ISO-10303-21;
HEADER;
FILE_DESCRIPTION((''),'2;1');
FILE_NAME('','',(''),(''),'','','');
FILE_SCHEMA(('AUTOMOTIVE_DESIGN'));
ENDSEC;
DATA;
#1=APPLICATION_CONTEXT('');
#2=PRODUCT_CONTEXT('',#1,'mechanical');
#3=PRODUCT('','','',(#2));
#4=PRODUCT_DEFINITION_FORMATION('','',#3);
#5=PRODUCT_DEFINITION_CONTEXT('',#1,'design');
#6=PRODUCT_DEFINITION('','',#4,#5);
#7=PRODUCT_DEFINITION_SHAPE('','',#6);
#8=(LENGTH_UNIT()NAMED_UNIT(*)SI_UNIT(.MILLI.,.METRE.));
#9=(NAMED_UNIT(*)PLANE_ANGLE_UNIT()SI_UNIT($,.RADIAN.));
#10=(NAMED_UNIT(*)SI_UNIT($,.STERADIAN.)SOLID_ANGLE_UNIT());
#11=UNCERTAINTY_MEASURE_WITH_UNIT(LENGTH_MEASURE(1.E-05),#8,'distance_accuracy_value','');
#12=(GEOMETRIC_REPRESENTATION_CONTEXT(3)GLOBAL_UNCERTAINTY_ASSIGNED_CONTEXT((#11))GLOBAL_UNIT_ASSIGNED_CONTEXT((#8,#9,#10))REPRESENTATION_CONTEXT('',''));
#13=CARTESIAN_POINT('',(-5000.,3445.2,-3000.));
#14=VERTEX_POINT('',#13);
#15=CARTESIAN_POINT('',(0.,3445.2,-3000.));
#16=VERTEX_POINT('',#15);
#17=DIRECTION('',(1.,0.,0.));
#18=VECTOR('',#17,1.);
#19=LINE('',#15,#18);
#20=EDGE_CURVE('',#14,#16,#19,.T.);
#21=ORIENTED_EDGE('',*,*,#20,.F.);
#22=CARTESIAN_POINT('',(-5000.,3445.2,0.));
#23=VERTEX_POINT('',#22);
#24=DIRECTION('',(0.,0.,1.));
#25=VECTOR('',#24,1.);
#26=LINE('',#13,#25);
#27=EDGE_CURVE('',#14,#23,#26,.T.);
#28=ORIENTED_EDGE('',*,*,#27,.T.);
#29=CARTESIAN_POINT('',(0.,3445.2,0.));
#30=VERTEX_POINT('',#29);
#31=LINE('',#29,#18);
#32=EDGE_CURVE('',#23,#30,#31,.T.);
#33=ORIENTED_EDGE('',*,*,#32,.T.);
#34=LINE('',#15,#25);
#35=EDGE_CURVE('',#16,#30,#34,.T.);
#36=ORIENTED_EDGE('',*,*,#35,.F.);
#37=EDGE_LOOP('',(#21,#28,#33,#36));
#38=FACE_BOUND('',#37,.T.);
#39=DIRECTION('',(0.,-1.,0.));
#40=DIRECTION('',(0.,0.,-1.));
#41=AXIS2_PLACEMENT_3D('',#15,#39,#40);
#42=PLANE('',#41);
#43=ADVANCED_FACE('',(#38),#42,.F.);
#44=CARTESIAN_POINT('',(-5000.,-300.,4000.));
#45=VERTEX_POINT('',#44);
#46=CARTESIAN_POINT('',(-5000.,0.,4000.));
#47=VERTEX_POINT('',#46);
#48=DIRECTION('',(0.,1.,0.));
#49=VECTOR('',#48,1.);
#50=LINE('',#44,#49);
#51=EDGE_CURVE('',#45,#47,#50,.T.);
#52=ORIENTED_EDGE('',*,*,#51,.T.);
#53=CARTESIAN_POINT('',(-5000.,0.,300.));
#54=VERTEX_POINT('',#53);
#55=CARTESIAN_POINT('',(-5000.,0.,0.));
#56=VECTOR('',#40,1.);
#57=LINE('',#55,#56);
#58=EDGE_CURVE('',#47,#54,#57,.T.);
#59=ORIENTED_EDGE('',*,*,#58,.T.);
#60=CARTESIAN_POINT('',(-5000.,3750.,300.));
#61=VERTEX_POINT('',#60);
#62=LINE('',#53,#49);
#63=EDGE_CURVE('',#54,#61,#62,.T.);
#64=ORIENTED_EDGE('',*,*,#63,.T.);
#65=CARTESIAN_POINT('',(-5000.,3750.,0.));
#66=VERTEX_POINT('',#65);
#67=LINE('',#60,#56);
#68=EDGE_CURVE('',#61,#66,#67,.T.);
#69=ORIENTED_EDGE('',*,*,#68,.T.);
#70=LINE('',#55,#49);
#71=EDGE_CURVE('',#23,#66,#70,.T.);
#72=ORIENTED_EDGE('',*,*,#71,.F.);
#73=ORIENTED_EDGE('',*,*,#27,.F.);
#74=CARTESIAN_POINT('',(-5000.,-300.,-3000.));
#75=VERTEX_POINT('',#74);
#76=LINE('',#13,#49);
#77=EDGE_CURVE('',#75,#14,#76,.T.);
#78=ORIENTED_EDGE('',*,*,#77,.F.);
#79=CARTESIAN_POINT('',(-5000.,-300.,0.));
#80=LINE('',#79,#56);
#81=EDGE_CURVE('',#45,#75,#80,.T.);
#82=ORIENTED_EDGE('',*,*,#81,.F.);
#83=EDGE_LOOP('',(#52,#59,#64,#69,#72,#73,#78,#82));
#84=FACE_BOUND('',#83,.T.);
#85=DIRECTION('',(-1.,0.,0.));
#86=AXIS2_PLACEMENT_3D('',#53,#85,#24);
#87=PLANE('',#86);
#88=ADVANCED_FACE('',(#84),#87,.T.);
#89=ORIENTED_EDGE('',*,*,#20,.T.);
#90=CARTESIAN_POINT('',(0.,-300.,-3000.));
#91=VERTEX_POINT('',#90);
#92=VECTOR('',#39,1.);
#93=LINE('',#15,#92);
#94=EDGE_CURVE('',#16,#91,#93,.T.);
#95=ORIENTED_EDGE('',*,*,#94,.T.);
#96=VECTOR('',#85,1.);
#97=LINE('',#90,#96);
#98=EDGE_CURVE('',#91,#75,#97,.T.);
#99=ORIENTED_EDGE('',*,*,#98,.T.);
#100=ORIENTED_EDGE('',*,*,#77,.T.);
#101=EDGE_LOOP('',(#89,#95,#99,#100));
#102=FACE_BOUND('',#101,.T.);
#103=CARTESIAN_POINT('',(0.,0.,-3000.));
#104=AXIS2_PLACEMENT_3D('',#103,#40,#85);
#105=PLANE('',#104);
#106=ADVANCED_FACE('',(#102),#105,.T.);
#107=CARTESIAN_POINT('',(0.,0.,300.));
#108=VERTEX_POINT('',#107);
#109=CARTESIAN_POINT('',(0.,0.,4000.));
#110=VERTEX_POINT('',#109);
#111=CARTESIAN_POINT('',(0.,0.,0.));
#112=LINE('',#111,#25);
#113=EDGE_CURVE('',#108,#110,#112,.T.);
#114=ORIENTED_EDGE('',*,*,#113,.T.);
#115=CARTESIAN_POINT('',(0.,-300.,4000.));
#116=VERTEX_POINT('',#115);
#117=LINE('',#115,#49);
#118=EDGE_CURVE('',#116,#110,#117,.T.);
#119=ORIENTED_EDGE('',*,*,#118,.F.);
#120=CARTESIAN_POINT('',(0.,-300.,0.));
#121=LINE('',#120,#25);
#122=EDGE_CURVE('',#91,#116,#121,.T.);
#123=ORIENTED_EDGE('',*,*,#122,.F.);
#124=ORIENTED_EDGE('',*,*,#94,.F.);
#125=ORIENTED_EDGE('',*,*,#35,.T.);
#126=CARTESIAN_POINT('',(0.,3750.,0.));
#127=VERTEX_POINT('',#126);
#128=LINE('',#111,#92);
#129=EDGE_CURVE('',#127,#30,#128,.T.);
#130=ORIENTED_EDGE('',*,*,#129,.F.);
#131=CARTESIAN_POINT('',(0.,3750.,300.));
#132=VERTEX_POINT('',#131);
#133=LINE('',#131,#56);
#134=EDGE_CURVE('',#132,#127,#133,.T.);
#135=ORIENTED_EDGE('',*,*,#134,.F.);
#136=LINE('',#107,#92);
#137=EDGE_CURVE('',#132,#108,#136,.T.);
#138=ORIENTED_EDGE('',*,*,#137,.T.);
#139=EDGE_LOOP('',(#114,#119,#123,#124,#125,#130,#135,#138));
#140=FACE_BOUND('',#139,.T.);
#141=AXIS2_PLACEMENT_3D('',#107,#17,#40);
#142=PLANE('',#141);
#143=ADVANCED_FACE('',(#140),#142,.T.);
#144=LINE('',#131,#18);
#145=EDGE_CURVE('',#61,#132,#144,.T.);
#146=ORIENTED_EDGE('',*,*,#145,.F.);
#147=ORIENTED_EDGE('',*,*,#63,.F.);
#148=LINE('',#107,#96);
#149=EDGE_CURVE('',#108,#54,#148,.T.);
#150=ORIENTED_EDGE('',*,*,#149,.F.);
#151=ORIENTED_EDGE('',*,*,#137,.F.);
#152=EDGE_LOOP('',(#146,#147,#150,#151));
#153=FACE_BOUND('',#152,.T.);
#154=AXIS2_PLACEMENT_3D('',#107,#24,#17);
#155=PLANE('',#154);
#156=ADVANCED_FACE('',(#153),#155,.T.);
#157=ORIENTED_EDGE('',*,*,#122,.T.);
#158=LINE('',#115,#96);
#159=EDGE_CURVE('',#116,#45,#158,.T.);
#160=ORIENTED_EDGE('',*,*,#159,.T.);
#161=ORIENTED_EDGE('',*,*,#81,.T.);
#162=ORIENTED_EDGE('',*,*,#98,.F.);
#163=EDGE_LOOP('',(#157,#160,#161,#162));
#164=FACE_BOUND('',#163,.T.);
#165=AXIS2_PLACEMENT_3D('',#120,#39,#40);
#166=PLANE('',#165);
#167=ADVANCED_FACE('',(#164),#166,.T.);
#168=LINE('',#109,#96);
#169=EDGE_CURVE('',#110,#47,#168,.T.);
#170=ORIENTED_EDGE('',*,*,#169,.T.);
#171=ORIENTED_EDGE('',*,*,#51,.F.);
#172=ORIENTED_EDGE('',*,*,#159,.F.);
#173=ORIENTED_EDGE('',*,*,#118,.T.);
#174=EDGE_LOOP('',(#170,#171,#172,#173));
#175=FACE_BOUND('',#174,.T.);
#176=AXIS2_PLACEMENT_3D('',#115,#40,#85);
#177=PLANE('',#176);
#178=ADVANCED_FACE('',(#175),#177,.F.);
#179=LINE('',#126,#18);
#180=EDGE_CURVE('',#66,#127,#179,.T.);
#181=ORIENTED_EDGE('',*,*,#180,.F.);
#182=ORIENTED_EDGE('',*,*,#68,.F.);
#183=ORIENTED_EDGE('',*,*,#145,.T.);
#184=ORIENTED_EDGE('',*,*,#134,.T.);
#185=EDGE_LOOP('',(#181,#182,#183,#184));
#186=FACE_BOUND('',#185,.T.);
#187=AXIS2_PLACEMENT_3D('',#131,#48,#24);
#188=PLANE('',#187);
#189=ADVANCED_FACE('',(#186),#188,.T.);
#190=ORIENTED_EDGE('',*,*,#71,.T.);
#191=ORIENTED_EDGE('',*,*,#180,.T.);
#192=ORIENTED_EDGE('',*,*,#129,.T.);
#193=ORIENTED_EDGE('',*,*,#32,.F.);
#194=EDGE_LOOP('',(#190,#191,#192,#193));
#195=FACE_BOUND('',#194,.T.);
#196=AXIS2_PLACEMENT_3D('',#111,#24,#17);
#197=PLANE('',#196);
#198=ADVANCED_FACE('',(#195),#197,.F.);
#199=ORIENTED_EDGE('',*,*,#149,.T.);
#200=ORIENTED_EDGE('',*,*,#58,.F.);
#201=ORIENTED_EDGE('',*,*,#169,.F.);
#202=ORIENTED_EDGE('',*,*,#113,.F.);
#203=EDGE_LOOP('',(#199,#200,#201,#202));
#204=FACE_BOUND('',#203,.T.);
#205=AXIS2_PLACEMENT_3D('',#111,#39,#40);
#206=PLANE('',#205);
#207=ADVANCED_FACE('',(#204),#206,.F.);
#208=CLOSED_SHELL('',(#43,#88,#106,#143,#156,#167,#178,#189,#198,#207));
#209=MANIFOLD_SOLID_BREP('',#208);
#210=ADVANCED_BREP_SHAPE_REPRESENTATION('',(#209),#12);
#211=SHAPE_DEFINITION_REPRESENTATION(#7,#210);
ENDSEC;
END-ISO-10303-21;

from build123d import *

# Parameters (mm, degrees)
CROQUIS1_W              = 5000
CROQUIS1_H              = 3750
SALIENTE_EXTRUIR1_DEPTH = 300
CROQUIS2_W              = 5000
CROQUIS2_H              = 4000
SALIENTE_EXTRUIR2_DEPTH = 300
CROQUIS3_W              = 5000
CROQUIS3_H              = 3745.2
SALIENTE_EXTRUIR3_DEPTH = 3000


with BuildPart() as part:
    # Croquis1 → Saliente-Extruir1 (new body)
    with BuildSketch(Plane(origin=(0, 0, 0), x_dir=(-1, 0, 0), z_dir=(0, 0, -1))):
        with Locations((2500, 1875)):
            Rectangle(CROQUIS1_W, CROQUIS1_H)
    extrude(amount=-SALIENTE_EXTRUIR1_DEPTH)

    # Croquis2 → Saliente-Extruir2 (add)
    with BuildSketch(Plane.XZ):
        with Locations((-2500, 2000)):
            Rectangle(CROQUIS2_W, CROQUIS2_H)
    extrude(amount=SALIENTE_EXTRUIR2_DEPTH)

    # Croquis3 → Saliente-Extruir3 (add)
    with BuildSketch(Plane(origin=(0, 0, 0), x_dir=(-1, 0, 0), z_dir=(0, 0, -1))):
        with Locations((2500, 1572.6)):
            Rectangle(CROQUIS3_W, CROQUIS3_H)
    extrude(amount=SALIENTE_EXTRUIR3_DEPTH)


solid = part.part
